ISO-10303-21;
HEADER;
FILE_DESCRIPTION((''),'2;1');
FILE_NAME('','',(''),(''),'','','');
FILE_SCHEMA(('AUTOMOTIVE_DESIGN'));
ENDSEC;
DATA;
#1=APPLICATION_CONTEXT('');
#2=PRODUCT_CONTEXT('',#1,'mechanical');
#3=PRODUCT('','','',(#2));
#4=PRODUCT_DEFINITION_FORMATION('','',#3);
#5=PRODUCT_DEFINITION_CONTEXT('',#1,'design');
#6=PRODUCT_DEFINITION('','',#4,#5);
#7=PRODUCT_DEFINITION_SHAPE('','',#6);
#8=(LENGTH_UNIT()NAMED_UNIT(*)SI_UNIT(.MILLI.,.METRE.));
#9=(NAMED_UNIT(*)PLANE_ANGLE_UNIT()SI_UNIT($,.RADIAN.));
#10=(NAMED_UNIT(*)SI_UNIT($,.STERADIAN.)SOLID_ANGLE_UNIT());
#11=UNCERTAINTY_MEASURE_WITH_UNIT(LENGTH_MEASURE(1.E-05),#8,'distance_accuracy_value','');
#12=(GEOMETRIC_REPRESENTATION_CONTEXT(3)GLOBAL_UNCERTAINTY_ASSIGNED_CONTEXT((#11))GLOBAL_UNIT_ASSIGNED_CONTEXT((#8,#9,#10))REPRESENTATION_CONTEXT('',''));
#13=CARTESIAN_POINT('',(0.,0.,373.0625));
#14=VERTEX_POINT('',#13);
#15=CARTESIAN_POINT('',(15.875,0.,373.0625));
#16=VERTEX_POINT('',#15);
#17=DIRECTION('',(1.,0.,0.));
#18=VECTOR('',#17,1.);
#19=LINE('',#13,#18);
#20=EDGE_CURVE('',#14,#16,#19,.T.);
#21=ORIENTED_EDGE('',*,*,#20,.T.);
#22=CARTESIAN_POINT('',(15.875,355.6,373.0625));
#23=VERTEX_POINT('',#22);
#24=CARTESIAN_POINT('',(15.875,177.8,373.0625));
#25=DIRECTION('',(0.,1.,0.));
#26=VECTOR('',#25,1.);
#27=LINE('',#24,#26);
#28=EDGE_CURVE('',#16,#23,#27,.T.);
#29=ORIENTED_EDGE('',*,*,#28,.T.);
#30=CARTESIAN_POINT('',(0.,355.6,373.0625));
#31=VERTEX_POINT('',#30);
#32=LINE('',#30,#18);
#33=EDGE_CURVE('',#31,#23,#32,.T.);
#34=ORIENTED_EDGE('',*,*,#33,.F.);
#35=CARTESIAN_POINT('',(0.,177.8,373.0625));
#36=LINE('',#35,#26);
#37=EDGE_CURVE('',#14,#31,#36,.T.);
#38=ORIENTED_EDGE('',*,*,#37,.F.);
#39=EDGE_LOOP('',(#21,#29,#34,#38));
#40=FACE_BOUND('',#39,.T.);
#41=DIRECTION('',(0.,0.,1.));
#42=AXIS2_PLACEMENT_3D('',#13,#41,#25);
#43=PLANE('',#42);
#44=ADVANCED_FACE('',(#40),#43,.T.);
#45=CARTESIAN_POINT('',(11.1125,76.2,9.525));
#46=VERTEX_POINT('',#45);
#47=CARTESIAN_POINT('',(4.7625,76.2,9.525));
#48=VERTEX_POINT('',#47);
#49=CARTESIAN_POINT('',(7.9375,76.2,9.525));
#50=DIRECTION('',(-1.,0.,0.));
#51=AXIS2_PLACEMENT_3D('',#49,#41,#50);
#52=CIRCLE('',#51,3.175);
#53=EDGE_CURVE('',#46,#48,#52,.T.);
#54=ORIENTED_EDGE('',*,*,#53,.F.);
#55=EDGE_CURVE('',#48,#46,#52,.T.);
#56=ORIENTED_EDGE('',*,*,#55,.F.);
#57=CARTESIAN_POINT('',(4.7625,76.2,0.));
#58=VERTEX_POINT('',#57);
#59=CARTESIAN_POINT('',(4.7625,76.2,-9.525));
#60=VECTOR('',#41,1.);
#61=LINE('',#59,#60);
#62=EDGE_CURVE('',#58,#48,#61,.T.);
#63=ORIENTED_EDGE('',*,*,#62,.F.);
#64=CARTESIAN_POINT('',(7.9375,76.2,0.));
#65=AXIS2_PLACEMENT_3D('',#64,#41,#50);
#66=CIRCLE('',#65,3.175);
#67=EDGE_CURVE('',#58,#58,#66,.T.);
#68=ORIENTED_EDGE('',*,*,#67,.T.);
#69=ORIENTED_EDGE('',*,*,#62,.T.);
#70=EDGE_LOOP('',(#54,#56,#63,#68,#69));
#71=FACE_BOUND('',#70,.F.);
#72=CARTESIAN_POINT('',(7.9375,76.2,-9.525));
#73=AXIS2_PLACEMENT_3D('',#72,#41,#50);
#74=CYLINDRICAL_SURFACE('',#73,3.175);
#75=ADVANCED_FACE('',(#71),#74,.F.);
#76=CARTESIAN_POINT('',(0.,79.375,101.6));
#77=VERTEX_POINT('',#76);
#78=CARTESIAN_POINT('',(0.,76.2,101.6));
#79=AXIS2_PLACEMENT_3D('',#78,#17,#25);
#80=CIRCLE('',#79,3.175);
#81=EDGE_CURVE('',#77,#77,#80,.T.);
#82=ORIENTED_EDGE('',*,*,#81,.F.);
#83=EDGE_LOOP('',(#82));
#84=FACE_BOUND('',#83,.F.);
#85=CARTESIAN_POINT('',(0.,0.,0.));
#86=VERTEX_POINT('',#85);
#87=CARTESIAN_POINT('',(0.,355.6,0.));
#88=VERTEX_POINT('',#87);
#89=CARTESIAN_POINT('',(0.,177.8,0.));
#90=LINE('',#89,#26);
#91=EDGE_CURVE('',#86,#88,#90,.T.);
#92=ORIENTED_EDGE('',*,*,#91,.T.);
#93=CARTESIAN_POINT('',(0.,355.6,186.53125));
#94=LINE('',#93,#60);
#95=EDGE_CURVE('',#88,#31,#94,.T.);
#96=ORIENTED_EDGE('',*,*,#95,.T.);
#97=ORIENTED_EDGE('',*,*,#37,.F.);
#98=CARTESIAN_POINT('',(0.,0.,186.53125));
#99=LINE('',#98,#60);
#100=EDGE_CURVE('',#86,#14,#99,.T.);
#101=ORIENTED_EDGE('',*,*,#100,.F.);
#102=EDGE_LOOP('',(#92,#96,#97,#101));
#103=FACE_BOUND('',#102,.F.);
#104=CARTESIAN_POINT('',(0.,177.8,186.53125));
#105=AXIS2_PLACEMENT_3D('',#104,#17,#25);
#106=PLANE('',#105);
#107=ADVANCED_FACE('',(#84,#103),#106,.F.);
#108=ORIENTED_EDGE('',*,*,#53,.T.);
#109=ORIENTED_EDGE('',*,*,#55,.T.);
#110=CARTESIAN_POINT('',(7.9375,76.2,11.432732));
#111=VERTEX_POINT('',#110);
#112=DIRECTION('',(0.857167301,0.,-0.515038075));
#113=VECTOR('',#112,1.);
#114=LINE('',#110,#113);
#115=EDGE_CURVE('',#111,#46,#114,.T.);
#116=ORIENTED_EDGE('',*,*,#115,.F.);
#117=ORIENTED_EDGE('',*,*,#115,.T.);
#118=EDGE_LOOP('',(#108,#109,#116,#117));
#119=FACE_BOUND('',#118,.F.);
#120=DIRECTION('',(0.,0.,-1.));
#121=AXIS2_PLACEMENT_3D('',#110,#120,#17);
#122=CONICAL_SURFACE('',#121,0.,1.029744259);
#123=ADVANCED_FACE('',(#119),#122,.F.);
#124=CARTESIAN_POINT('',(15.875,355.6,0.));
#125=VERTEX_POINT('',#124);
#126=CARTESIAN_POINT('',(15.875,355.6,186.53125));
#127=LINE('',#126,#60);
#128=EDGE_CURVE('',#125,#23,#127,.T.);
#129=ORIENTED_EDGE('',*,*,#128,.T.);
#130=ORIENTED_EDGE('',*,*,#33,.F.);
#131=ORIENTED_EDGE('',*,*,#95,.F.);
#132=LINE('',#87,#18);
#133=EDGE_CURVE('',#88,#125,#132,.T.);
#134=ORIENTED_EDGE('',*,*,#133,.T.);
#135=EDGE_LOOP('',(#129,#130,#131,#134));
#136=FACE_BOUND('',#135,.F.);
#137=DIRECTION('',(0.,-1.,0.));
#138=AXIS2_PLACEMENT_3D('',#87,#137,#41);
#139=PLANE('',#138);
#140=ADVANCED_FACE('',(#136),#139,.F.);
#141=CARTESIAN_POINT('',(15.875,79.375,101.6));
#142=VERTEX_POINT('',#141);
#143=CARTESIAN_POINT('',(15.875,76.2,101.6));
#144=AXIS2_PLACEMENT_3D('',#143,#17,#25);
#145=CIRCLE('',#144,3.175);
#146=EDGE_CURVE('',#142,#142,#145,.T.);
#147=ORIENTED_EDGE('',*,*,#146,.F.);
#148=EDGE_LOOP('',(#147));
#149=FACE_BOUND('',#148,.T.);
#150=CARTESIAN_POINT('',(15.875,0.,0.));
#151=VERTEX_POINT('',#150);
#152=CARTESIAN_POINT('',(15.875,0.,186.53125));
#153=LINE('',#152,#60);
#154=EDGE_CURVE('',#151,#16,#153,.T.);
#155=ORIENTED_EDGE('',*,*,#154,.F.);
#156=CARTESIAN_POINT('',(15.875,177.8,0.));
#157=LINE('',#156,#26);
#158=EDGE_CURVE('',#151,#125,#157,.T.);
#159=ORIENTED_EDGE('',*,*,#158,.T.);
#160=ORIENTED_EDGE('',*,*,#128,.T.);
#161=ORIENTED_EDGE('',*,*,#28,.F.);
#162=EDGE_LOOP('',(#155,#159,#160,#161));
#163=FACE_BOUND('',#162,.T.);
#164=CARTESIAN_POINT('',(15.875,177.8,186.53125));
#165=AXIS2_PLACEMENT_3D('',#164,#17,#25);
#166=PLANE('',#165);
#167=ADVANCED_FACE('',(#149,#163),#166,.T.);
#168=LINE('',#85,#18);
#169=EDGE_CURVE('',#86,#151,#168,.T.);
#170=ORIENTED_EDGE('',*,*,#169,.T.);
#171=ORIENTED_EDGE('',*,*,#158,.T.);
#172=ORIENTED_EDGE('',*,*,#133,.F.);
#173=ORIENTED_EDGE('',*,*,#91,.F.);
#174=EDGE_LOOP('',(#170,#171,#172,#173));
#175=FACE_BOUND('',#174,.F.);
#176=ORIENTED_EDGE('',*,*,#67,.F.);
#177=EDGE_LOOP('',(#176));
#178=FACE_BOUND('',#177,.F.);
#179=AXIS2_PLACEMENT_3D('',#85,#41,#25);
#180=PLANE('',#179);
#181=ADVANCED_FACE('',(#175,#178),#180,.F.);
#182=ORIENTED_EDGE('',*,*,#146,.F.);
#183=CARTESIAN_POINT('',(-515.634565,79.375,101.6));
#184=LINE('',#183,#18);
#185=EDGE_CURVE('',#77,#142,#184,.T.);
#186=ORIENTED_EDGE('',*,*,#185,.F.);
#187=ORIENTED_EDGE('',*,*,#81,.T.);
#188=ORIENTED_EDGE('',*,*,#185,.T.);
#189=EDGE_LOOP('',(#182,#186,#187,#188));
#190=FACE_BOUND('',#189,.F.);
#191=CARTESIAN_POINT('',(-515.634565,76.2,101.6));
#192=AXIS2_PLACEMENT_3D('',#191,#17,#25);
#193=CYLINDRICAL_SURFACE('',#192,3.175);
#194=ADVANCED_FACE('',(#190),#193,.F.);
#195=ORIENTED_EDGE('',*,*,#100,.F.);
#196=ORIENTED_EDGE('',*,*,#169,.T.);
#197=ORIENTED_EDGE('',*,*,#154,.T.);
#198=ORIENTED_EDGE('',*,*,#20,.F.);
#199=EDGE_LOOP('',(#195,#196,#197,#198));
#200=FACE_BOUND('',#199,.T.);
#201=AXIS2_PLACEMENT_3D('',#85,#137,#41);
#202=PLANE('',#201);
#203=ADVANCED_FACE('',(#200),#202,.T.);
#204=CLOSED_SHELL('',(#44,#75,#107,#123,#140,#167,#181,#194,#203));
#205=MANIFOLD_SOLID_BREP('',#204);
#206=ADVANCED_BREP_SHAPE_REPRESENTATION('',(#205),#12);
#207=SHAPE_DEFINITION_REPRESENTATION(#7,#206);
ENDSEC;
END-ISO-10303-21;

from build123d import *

# Parameters (mm, degrees)
F0_W     = 355.6
F0_H     = 373.0625
F1_DEPTH = 15.875
F3_D     = 6.35
F3_DEPTH = 9.525
F3_TIP   = 1.9077324654
F5_D     = 6.35


with BuildPart() as f1:
    # F0 (on Right) → F1 (new body)
    with BuildSketch(Plane.YZ):
        with Locations((177.8, 186.53125)):
            Rectangle(F0_W, F0_H)
    extrude(amount=F1_DEPTH)

    # F3
    with Locations(Plane(origin=(0, 0, 0), x_dir=(1, 0, 0), z_dir=(0, 0, -1))):
        with Locations((7.9375, -76.2)):
            Hole(F3_D / 2, depth=F3_DEPTH)
            with Locations((0, 0, -(F3_DEPTH + F3_TIP / 2))):  # 118° drill point
                Cone(0, F3_D / 2, F3_TIP, mode=Mode.SUBTRACT)

    # F5 (through all)
    with Locations(Plane(origin=(0, 0, 0), x_dir=(0, -1, 0), z_dir=(-1, 0, 0))):
        with Locations((-76.2, 101.6)):
            Hole(F5_D / 2)


solid = f1.part
